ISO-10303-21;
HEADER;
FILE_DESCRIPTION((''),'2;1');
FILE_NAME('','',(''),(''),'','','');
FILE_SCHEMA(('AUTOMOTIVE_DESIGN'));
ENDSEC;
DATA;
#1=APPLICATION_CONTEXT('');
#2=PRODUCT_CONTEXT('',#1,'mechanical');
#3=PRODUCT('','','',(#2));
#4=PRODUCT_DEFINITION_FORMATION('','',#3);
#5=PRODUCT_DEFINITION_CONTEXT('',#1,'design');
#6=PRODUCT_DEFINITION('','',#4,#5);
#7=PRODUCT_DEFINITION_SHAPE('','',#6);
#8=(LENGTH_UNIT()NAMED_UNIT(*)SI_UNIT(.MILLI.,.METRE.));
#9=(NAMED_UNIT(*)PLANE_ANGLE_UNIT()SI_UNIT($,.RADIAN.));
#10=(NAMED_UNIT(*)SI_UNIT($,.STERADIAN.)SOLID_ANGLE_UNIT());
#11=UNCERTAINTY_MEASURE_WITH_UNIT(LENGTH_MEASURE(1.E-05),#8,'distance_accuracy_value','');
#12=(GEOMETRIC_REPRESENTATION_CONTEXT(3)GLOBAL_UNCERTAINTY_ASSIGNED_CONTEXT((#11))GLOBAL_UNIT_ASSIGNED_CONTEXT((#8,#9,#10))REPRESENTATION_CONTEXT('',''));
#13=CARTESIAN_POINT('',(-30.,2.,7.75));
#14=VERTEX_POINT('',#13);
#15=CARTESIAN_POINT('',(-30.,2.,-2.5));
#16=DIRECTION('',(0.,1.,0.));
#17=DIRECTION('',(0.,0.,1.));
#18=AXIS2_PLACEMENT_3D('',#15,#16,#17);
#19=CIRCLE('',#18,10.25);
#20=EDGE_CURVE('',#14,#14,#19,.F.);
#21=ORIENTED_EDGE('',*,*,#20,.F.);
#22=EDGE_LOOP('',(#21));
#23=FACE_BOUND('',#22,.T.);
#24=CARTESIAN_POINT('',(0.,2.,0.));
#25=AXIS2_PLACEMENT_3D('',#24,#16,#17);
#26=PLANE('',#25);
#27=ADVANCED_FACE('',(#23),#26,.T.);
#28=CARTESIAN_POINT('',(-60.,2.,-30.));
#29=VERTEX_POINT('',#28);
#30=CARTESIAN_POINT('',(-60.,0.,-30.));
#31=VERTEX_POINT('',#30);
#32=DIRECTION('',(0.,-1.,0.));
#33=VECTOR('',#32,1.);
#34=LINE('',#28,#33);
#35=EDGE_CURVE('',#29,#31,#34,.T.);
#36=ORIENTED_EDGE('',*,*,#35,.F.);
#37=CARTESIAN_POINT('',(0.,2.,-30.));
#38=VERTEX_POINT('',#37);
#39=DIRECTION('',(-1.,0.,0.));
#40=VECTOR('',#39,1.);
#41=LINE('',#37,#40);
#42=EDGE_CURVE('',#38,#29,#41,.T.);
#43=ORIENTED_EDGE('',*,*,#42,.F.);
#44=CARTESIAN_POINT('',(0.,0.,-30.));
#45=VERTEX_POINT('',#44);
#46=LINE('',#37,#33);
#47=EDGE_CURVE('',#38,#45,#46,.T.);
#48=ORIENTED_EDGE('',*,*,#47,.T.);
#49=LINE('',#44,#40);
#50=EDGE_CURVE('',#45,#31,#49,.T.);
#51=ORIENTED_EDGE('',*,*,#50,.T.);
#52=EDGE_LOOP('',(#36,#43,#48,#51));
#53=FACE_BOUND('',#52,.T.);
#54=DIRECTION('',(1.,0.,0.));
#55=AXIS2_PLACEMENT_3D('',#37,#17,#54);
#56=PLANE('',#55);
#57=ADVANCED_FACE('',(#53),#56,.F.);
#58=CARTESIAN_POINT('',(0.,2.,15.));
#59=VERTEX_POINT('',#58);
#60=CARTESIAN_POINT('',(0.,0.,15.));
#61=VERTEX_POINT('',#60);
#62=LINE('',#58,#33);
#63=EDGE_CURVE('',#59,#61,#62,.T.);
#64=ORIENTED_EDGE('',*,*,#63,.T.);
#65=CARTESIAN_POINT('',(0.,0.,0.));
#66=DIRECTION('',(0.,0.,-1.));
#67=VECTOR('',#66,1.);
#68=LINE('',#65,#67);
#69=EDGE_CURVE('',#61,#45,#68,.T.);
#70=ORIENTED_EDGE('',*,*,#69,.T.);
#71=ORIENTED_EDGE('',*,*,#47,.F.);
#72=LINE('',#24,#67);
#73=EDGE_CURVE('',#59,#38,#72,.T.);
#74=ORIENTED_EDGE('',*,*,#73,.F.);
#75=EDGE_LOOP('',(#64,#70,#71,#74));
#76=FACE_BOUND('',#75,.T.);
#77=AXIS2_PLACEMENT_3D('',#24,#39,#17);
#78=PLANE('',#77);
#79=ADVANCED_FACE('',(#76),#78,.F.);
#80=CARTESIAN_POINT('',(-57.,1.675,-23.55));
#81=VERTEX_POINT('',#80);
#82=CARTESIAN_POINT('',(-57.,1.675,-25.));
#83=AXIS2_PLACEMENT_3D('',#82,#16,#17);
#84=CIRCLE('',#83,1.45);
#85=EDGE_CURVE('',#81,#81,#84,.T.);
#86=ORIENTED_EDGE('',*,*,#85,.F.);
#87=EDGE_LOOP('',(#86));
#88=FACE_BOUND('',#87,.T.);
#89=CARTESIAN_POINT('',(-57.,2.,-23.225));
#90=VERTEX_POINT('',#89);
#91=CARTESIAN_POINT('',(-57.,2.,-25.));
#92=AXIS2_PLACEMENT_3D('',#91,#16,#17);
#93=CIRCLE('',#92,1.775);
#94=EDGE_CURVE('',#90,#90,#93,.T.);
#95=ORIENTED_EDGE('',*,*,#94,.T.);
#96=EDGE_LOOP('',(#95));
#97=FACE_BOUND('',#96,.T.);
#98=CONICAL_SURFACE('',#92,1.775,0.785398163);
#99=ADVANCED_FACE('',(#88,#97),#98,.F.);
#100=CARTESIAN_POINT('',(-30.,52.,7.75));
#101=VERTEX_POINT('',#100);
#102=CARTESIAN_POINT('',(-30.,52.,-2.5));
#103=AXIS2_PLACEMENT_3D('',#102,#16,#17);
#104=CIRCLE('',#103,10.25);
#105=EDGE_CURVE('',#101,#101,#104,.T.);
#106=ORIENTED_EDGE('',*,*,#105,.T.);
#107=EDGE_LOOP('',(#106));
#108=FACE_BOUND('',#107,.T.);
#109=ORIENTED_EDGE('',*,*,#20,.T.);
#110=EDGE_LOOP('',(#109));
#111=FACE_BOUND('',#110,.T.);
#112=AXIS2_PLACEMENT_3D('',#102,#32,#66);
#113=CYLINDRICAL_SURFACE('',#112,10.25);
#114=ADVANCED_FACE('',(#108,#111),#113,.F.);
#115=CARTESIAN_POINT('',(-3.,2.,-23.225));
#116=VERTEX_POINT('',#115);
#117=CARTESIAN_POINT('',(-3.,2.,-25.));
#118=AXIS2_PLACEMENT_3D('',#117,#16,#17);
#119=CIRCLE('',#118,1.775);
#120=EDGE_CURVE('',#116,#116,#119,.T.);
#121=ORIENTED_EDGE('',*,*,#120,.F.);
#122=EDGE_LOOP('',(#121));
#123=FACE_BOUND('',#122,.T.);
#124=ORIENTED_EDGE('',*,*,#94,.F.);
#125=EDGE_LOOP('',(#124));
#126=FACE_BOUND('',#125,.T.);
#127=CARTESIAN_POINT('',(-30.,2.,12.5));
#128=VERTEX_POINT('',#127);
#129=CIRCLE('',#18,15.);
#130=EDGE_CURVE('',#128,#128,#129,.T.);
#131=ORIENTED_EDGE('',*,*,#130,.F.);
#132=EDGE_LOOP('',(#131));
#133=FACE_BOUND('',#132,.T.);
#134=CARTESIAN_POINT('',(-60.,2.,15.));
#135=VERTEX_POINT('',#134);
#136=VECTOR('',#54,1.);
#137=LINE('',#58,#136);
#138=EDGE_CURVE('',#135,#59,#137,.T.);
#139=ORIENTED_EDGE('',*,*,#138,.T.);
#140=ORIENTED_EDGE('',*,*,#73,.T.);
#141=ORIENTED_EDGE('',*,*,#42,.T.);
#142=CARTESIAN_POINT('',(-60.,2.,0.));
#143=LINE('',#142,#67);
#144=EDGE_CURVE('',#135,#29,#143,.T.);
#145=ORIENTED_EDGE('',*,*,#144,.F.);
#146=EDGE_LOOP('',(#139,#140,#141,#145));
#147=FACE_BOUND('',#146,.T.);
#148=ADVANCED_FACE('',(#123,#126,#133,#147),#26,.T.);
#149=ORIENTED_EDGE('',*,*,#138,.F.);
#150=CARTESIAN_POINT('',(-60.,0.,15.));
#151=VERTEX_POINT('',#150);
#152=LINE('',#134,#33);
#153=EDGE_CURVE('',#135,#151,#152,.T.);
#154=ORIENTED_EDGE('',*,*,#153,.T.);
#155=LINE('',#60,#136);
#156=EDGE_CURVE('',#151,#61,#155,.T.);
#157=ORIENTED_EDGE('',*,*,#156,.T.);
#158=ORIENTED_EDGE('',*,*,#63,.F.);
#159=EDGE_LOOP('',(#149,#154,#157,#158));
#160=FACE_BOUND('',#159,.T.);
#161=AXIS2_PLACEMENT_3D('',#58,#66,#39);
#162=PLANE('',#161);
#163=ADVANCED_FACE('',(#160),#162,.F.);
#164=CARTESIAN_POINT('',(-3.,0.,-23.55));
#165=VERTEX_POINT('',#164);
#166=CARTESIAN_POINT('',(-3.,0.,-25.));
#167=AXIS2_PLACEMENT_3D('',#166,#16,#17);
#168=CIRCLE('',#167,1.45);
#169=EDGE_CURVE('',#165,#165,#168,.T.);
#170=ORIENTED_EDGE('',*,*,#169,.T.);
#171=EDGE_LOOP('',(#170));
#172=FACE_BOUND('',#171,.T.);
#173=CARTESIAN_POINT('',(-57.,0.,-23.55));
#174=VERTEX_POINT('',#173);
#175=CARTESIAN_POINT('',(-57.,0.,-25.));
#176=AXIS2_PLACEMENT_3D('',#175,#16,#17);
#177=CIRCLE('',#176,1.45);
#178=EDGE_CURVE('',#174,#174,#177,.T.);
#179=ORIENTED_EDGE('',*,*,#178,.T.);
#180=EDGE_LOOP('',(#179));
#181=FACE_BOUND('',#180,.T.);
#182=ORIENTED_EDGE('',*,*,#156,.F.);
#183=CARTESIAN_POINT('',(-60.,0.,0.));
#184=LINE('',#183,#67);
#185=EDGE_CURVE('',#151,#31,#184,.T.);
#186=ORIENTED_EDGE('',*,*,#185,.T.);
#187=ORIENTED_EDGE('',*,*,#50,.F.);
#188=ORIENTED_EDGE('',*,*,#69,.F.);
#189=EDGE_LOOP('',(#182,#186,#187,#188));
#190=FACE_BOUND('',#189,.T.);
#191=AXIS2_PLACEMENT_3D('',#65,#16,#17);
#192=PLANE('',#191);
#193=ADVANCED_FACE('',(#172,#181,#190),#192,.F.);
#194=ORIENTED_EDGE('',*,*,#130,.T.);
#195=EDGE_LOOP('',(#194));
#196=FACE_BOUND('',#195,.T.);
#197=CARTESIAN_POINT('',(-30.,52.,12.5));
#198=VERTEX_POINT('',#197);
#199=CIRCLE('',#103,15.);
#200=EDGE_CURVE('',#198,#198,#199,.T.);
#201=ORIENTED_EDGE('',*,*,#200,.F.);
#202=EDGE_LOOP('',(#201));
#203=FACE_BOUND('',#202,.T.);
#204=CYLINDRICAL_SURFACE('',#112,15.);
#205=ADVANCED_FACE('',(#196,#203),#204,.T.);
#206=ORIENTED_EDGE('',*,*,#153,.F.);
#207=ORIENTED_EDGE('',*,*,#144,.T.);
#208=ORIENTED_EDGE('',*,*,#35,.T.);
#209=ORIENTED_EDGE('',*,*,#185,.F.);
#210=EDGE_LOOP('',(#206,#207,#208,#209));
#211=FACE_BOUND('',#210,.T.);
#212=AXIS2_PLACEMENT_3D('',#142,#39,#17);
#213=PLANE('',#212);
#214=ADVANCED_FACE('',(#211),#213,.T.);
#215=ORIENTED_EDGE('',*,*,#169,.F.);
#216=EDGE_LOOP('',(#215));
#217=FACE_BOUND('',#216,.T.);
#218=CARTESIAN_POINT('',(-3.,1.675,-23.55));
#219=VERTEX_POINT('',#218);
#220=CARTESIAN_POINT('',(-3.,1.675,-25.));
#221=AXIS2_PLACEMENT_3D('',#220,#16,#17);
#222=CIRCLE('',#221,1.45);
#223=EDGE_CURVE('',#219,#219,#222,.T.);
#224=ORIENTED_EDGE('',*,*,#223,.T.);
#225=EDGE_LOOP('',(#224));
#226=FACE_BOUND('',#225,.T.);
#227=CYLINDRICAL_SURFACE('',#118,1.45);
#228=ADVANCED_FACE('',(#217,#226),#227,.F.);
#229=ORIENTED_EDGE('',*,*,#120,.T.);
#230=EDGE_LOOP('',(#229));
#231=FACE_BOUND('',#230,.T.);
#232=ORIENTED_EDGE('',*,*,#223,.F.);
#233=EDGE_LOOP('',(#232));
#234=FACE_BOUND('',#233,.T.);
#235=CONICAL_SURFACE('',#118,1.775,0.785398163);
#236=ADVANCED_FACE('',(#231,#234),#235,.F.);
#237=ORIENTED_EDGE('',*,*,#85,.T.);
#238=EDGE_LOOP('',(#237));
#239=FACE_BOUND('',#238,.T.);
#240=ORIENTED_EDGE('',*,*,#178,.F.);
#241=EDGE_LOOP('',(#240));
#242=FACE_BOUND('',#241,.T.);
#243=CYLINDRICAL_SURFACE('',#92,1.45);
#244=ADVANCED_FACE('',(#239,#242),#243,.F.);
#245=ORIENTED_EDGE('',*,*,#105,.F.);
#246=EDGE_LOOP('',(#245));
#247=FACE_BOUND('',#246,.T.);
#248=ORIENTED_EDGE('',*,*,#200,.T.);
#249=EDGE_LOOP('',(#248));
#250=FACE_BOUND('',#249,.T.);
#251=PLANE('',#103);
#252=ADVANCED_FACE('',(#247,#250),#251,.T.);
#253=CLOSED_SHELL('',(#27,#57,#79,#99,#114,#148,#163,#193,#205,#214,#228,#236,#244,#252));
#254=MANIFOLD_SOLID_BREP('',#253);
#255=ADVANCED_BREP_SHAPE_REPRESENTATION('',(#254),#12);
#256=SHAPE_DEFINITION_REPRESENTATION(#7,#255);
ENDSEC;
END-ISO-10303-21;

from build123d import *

# Parameters (mm, degrees)
EXTRUDE_1_DEPTH                = 2
HOLE_WIZARD_M3_5_1_D           = 2.9
HOLE_WIZARD_M3_5_1_DEPTH       = 8.8
HOLE_WIZARD_M3_5_1_CSINK_D     = 3.55
HOLE_WIZARD_M3_5_1_CSINK_ANGLE = 90
HOLE_WIZARD_M3_5_1_TIP         = 0.871247898
SKETCH_4_R                     = 15
SKETCH_4_R_2                   = 10.25
EXTRUDE_2_DEPTH                = 50


with BuildPart() as part:
    # 草图1 → 凸台-拉伸1 (new body)
    with BuildSketch(Plane(origin=(0, 0, 0), x_dir=(1, 0, 0), z_dir=(0, 1, 0))):
        Polygon((0, -15), (0, 0), (0, 30), (-30, 30), (-57, 30), (-60, 30), (-60, 0), (-60, -15), align=None)
    extrude(amount=EXTRUDE_1_DEPTH)

    # M3.5 螺纹孔1
    with Locations(Plane(origin=(0, 2, 0), x_dir=(1, 0, 0), z_dir=(0, 1, 0))):
        with Locations((-57, 25), (-3, 25)):
            CounterSinkHole(HOLE_WIZARD_M3_5_1_D / 2, HOLE_WIZARD_M3_5_1_CSINK_D / 2, depth=HOLE_WIZARD_M3_5_1_DEPTH, counter_sink_angle=HOLE_WIZARD_M3_5_1_CSINK_ANGLE)
            with Locations((0, 0, -(HOLE_WIZARD_M3_5_1_DEPTH + HOLE_WIZARD_M3_5_1_TIP / 2))):  # 118° drill point
                Cone(0, HOLE_WIZARD_M3_5_1_D / 2, HOLE_WIZARD_M3_5_1_TIP, mode=Mode.SUBTRACT)

    # 草图4 → 凸台-拉伸2 (add)
    with BuildSketch(Plane(origin=(0, 2, 0), x_dir=(1, 0, 0), z_dir=(0, 1, 0))):
        with Locations(Location((-30, 2.5, 0), (0, 0, 270))):
            Circle(SKETCH_4_R)
        with Locations(Location((-30, 2.5, 0), (0, 0, 270))):
            Circle(SKETCH_4_R_2, mode=Mode.SUBTRACT)
    extrude(amount=EXTRUDE_2_DEPTH)


solid = part.part
